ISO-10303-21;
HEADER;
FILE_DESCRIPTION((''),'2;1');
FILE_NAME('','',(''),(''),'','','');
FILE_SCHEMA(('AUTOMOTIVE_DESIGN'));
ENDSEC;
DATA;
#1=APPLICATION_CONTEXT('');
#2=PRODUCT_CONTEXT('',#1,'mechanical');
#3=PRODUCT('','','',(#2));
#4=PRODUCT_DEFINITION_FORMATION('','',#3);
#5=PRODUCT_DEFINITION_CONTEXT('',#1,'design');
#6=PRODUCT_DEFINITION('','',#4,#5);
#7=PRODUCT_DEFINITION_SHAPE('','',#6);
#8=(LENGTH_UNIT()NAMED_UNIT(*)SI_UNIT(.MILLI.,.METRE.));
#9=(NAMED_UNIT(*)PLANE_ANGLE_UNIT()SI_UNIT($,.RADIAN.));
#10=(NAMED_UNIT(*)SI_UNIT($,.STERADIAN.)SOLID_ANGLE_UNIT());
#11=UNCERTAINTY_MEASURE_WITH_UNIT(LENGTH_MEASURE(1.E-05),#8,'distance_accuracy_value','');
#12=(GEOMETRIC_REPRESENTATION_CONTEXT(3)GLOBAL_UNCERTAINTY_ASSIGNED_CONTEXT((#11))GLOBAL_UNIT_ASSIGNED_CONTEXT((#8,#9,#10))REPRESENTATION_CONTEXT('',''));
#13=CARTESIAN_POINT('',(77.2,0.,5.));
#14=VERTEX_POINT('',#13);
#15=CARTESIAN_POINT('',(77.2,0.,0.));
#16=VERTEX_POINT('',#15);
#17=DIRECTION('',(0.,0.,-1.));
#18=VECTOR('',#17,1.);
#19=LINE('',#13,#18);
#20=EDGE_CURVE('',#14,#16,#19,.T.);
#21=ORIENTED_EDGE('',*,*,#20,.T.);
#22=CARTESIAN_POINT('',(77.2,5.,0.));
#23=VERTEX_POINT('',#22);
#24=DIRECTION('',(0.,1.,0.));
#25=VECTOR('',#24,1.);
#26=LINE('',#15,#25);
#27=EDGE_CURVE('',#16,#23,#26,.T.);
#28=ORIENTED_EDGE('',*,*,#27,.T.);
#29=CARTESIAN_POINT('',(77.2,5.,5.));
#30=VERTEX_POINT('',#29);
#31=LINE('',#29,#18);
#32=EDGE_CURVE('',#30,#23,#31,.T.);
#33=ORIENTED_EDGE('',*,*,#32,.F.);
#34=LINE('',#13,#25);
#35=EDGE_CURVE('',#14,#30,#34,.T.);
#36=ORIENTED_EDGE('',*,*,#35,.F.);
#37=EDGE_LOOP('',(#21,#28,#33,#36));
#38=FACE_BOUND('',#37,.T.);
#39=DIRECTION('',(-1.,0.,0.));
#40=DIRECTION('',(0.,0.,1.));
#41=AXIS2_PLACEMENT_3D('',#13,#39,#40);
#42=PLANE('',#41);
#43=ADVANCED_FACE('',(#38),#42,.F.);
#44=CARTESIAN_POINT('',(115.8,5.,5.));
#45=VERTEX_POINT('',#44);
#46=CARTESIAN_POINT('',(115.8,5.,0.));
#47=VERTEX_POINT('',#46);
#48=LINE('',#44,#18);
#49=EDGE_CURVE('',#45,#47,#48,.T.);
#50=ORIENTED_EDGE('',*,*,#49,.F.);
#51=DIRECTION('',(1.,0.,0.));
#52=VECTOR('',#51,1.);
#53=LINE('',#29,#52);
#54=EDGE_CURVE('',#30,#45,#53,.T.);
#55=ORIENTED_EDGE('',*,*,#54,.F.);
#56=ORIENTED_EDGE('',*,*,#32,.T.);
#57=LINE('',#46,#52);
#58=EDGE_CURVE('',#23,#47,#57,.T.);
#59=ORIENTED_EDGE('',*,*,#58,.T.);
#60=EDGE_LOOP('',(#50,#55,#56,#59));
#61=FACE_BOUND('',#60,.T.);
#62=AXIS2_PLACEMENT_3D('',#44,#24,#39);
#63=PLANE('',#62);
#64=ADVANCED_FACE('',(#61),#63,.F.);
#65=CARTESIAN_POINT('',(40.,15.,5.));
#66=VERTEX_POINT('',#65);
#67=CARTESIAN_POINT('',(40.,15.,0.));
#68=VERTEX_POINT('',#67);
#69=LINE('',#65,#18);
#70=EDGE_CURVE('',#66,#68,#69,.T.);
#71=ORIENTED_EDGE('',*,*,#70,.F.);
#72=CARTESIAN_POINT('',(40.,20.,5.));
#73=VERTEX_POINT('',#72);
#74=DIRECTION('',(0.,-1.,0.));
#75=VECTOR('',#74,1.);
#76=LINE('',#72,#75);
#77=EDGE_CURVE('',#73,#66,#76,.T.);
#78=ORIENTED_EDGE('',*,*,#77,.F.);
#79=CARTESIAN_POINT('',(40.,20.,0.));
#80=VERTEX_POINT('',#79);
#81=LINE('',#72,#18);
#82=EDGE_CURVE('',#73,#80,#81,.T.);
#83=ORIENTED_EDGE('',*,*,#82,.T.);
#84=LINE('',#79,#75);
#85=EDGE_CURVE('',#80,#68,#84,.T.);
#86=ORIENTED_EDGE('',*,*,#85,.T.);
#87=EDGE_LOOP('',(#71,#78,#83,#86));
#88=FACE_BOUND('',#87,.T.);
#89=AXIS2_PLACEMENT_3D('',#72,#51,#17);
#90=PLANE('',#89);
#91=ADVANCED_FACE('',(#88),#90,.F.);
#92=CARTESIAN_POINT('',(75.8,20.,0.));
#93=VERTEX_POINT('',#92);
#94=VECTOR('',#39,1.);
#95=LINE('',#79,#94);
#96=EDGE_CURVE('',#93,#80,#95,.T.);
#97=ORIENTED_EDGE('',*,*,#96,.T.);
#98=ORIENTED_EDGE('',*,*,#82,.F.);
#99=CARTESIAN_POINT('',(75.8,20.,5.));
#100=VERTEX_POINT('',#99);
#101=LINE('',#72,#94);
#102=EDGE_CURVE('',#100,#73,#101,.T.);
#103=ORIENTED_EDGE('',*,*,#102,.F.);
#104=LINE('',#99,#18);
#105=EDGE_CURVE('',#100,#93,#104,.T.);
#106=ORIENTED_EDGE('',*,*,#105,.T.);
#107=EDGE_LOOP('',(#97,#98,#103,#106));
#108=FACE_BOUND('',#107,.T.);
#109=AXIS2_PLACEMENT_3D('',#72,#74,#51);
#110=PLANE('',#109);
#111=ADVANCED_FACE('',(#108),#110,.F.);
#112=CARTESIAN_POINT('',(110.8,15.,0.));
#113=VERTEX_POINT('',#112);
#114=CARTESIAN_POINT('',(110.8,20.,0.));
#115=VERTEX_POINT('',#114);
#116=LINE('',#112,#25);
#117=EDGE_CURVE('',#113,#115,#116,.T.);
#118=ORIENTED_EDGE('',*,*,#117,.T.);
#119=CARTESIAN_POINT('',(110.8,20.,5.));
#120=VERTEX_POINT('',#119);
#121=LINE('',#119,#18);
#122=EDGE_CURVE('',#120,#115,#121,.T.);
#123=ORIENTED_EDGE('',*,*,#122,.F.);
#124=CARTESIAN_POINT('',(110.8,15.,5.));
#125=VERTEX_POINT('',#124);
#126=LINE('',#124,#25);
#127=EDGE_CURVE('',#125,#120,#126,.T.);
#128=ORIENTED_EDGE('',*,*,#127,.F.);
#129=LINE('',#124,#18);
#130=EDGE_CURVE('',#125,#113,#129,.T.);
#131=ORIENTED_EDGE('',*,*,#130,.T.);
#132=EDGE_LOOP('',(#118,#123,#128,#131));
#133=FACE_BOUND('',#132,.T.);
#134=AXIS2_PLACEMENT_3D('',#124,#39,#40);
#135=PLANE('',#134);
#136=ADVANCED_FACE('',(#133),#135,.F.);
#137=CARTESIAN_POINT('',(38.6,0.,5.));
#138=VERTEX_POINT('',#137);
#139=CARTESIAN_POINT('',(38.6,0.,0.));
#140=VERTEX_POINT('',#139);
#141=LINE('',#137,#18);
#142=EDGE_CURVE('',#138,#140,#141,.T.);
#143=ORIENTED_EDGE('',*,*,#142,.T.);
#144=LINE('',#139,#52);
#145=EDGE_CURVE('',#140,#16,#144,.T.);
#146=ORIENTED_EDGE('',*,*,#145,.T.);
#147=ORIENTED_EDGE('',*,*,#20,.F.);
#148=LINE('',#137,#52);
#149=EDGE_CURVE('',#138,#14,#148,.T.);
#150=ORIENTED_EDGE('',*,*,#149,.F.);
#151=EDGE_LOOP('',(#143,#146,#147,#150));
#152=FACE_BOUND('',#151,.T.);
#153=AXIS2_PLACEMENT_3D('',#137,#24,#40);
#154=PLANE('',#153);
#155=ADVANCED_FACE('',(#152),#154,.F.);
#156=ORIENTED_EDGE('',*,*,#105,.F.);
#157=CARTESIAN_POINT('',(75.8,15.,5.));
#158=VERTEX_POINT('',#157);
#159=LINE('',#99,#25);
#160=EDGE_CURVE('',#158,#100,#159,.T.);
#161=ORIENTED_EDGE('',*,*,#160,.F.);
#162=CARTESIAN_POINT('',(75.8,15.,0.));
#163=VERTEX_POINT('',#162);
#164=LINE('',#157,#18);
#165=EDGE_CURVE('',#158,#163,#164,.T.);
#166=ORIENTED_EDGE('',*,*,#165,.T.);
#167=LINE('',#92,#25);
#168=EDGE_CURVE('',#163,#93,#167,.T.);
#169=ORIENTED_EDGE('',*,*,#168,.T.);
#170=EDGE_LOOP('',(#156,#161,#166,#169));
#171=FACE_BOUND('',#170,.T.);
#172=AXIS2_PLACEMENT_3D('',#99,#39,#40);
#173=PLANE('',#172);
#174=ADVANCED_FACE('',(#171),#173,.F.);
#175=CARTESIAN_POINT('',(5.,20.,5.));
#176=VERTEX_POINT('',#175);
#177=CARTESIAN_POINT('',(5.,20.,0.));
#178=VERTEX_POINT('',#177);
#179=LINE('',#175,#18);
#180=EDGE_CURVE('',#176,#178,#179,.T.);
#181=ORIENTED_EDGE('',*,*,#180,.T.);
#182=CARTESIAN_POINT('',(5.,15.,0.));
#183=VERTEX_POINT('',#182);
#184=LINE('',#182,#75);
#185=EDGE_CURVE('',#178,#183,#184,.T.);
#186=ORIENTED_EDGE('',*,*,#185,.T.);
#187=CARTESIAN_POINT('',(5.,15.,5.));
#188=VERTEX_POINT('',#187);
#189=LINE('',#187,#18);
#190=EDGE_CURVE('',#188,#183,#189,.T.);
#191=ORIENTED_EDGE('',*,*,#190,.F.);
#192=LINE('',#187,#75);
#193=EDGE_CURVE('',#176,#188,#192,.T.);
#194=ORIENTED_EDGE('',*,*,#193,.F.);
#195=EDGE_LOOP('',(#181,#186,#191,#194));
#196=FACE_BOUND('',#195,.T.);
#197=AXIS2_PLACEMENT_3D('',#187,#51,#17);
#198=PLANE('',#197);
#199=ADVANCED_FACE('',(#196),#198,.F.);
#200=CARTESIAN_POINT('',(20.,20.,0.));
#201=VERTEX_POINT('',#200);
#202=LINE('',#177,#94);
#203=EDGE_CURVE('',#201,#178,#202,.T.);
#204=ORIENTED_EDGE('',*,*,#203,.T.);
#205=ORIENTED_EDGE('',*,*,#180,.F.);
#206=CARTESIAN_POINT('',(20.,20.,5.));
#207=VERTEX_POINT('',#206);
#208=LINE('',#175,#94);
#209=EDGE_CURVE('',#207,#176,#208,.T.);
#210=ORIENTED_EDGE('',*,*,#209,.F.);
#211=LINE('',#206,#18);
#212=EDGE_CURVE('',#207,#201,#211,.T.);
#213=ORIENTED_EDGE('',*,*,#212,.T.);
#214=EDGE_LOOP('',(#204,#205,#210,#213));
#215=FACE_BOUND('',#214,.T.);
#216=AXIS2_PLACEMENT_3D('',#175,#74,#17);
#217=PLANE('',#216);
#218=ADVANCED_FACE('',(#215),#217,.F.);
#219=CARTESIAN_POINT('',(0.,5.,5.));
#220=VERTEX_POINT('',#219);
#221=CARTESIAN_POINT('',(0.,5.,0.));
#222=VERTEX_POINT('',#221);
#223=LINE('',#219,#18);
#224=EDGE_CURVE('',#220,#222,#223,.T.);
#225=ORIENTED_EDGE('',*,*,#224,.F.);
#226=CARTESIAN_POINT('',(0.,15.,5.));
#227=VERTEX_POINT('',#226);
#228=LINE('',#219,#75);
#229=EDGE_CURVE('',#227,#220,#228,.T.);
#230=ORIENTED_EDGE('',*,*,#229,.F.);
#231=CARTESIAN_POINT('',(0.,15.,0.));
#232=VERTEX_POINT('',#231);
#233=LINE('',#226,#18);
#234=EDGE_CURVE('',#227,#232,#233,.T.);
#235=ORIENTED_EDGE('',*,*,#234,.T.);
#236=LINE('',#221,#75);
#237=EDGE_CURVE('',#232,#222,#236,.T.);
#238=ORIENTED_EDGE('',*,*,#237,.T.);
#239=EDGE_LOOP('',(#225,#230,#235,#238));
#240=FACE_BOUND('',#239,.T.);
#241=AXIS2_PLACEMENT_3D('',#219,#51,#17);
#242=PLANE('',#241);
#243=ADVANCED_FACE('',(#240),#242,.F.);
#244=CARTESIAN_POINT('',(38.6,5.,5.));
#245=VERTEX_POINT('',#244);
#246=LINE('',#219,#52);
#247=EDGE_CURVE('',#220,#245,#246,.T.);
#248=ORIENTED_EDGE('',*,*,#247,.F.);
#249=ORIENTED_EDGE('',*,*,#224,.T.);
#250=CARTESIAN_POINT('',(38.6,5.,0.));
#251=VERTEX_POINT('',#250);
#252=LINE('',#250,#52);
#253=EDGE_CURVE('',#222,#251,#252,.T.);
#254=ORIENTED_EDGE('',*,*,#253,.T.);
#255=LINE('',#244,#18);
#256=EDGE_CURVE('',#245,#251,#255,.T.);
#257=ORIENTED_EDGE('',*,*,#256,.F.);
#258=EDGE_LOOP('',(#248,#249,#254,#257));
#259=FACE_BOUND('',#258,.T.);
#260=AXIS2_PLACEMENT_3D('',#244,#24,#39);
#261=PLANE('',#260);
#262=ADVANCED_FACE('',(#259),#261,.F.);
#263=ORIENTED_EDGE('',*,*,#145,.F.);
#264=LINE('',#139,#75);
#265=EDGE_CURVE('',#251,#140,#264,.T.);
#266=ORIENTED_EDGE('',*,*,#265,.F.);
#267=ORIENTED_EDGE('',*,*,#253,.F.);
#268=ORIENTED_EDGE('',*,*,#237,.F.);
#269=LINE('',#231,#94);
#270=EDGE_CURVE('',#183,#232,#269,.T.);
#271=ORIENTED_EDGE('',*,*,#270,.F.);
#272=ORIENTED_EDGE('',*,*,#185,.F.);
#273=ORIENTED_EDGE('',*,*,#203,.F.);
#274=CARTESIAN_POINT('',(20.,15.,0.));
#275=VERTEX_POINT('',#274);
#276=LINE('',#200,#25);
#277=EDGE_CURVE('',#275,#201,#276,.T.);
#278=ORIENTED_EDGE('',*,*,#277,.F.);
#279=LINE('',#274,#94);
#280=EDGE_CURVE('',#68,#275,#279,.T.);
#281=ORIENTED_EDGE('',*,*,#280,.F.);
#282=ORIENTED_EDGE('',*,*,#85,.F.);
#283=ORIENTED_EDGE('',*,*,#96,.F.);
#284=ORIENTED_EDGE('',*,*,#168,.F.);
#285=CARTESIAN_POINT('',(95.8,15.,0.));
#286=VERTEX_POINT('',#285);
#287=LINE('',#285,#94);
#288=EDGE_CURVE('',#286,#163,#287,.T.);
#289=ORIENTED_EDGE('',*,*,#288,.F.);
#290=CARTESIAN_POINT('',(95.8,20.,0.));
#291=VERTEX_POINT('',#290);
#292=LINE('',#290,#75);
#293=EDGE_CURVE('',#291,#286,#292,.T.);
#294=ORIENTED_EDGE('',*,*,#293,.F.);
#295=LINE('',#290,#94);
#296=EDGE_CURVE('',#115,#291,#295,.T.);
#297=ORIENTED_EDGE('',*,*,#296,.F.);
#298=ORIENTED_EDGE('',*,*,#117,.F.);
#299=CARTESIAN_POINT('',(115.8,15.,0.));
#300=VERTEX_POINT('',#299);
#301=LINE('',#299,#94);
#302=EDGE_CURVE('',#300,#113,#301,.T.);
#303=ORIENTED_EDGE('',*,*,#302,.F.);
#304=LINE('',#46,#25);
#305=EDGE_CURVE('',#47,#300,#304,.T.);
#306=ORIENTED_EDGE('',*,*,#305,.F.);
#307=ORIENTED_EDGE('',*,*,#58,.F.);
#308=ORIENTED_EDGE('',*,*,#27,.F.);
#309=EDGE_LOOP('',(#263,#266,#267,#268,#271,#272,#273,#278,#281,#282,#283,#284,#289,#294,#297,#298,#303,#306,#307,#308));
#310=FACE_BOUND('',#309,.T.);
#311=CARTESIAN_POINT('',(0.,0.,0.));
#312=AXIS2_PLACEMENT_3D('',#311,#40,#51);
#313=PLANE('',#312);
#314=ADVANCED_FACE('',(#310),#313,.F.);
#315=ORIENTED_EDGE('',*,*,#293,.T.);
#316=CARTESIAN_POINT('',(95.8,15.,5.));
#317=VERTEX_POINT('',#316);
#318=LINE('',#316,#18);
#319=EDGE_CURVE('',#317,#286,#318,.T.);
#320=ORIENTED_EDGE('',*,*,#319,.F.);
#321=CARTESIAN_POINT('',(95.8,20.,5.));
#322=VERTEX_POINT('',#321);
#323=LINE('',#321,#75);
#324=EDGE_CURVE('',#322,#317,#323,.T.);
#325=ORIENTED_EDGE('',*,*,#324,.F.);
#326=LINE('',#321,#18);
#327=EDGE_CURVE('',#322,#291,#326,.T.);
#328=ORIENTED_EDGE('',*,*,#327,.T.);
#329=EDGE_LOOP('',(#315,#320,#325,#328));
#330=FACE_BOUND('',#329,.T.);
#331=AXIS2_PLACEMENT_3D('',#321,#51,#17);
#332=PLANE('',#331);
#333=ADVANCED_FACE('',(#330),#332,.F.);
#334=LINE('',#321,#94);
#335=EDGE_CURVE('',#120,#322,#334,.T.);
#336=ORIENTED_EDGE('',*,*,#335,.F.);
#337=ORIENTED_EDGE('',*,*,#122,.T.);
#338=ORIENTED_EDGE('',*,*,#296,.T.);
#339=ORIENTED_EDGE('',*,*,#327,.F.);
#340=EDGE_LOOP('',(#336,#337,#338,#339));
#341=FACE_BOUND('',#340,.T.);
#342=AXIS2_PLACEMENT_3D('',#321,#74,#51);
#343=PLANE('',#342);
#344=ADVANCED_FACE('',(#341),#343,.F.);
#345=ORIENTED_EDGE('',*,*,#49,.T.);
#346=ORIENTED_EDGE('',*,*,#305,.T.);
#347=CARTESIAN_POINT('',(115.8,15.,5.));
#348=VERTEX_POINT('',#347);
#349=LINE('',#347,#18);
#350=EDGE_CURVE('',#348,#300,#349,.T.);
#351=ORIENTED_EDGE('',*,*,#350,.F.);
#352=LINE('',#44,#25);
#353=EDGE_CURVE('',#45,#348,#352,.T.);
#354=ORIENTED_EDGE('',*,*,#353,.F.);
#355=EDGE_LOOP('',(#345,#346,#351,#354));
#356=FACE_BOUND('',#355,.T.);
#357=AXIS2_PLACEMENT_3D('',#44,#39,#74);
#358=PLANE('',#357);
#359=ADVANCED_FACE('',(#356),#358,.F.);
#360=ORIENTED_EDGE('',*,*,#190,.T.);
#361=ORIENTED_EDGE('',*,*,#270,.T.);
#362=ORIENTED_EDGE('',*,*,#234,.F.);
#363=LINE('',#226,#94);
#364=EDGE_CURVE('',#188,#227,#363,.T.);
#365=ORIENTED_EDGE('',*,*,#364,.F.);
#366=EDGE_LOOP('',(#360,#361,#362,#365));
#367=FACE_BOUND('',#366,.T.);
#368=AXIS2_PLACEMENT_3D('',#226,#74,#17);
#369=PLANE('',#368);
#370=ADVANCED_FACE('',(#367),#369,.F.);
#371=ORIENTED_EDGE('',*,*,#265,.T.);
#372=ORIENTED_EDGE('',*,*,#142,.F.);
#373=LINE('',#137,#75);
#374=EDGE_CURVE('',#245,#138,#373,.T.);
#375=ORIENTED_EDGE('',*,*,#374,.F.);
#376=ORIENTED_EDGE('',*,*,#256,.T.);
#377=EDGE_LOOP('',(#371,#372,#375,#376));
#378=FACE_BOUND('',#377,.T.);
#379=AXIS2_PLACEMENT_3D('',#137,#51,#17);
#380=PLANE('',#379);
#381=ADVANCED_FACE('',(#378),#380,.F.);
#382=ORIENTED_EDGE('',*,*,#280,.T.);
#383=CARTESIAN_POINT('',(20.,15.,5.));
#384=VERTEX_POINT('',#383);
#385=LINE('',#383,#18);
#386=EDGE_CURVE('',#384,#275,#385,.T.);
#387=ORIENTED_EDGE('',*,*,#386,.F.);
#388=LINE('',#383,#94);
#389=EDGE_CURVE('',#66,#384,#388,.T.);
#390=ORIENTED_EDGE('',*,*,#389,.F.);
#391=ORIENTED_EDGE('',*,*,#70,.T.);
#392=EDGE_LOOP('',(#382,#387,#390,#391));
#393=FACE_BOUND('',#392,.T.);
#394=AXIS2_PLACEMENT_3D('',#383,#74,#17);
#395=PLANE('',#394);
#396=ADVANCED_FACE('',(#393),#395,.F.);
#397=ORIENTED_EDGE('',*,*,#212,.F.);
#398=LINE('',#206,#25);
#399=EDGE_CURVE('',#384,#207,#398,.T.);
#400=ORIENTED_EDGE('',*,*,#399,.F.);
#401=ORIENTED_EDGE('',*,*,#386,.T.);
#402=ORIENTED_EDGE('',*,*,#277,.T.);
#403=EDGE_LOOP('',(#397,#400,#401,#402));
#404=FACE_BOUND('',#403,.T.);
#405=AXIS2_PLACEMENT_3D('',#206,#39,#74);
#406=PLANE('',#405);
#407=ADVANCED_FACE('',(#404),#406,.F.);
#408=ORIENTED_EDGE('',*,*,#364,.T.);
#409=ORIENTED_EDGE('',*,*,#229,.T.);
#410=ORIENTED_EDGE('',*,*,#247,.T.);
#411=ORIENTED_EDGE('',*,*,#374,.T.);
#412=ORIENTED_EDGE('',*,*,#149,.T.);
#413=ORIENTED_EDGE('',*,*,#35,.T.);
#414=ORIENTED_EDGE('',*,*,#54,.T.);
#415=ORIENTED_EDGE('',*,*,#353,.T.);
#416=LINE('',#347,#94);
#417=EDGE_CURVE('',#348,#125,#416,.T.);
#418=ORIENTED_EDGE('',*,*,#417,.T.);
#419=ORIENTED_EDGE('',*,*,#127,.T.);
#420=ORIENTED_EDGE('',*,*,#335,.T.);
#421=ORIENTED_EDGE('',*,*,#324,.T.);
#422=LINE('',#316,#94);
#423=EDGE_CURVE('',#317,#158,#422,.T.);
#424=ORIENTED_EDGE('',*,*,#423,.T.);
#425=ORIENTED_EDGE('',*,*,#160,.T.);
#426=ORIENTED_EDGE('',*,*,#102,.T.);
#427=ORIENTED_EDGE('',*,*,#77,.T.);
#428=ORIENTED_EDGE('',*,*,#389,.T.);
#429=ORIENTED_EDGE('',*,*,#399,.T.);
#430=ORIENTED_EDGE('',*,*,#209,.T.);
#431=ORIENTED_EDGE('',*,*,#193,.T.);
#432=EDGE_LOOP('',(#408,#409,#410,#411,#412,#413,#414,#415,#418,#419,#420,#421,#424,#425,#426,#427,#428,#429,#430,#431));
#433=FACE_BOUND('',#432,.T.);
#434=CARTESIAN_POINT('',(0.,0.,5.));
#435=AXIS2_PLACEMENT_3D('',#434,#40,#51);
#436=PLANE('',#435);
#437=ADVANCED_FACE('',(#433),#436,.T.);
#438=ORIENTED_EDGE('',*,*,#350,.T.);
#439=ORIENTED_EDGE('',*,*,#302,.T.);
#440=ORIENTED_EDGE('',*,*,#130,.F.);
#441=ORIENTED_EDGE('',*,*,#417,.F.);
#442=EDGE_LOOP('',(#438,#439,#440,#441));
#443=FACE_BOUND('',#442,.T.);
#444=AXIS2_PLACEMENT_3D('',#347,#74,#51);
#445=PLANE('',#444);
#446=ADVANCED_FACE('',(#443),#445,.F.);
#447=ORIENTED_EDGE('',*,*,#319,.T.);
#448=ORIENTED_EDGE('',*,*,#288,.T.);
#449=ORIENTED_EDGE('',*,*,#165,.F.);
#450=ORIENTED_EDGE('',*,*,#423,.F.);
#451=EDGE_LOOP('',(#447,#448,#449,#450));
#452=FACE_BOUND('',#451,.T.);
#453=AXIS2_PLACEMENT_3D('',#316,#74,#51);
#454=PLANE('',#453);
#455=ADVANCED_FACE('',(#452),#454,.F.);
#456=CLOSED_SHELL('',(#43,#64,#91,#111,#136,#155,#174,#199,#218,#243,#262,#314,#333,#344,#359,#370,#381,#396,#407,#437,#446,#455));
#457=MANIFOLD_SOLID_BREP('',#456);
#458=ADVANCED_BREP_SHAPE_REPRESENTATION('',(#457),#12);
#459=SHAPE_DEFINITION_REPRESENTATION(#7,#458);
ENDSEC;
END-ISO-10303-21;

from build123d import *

# Parameters (mm, degrees)
SALIENTE_EXTRUIR1_DEPTH = 5


with BuildPart() as part:
    # Croquis1 → Saliente-Extruir1 (new body)
    with BuildSketch(Plane.XY):
        Polygon((5, 20), (20, 20), (20, 15), (40, 15), (40, 20), (75.8, 20), (75.8, 15), (95.8, 15), (95.8, 20), (110.8, 20), (110.8, 15), (115.8, 15), (115.8, 5), (110.8, 5), (77.2, 5), (77.2, 0), (38.6, 0), (38.6, 5), (5, 5), (0, 5), (0, 15), (5, 15), align=None)
    extrude(amount=SALIENTE_EXTRUIR1_DEPTH)


solid = part.part
